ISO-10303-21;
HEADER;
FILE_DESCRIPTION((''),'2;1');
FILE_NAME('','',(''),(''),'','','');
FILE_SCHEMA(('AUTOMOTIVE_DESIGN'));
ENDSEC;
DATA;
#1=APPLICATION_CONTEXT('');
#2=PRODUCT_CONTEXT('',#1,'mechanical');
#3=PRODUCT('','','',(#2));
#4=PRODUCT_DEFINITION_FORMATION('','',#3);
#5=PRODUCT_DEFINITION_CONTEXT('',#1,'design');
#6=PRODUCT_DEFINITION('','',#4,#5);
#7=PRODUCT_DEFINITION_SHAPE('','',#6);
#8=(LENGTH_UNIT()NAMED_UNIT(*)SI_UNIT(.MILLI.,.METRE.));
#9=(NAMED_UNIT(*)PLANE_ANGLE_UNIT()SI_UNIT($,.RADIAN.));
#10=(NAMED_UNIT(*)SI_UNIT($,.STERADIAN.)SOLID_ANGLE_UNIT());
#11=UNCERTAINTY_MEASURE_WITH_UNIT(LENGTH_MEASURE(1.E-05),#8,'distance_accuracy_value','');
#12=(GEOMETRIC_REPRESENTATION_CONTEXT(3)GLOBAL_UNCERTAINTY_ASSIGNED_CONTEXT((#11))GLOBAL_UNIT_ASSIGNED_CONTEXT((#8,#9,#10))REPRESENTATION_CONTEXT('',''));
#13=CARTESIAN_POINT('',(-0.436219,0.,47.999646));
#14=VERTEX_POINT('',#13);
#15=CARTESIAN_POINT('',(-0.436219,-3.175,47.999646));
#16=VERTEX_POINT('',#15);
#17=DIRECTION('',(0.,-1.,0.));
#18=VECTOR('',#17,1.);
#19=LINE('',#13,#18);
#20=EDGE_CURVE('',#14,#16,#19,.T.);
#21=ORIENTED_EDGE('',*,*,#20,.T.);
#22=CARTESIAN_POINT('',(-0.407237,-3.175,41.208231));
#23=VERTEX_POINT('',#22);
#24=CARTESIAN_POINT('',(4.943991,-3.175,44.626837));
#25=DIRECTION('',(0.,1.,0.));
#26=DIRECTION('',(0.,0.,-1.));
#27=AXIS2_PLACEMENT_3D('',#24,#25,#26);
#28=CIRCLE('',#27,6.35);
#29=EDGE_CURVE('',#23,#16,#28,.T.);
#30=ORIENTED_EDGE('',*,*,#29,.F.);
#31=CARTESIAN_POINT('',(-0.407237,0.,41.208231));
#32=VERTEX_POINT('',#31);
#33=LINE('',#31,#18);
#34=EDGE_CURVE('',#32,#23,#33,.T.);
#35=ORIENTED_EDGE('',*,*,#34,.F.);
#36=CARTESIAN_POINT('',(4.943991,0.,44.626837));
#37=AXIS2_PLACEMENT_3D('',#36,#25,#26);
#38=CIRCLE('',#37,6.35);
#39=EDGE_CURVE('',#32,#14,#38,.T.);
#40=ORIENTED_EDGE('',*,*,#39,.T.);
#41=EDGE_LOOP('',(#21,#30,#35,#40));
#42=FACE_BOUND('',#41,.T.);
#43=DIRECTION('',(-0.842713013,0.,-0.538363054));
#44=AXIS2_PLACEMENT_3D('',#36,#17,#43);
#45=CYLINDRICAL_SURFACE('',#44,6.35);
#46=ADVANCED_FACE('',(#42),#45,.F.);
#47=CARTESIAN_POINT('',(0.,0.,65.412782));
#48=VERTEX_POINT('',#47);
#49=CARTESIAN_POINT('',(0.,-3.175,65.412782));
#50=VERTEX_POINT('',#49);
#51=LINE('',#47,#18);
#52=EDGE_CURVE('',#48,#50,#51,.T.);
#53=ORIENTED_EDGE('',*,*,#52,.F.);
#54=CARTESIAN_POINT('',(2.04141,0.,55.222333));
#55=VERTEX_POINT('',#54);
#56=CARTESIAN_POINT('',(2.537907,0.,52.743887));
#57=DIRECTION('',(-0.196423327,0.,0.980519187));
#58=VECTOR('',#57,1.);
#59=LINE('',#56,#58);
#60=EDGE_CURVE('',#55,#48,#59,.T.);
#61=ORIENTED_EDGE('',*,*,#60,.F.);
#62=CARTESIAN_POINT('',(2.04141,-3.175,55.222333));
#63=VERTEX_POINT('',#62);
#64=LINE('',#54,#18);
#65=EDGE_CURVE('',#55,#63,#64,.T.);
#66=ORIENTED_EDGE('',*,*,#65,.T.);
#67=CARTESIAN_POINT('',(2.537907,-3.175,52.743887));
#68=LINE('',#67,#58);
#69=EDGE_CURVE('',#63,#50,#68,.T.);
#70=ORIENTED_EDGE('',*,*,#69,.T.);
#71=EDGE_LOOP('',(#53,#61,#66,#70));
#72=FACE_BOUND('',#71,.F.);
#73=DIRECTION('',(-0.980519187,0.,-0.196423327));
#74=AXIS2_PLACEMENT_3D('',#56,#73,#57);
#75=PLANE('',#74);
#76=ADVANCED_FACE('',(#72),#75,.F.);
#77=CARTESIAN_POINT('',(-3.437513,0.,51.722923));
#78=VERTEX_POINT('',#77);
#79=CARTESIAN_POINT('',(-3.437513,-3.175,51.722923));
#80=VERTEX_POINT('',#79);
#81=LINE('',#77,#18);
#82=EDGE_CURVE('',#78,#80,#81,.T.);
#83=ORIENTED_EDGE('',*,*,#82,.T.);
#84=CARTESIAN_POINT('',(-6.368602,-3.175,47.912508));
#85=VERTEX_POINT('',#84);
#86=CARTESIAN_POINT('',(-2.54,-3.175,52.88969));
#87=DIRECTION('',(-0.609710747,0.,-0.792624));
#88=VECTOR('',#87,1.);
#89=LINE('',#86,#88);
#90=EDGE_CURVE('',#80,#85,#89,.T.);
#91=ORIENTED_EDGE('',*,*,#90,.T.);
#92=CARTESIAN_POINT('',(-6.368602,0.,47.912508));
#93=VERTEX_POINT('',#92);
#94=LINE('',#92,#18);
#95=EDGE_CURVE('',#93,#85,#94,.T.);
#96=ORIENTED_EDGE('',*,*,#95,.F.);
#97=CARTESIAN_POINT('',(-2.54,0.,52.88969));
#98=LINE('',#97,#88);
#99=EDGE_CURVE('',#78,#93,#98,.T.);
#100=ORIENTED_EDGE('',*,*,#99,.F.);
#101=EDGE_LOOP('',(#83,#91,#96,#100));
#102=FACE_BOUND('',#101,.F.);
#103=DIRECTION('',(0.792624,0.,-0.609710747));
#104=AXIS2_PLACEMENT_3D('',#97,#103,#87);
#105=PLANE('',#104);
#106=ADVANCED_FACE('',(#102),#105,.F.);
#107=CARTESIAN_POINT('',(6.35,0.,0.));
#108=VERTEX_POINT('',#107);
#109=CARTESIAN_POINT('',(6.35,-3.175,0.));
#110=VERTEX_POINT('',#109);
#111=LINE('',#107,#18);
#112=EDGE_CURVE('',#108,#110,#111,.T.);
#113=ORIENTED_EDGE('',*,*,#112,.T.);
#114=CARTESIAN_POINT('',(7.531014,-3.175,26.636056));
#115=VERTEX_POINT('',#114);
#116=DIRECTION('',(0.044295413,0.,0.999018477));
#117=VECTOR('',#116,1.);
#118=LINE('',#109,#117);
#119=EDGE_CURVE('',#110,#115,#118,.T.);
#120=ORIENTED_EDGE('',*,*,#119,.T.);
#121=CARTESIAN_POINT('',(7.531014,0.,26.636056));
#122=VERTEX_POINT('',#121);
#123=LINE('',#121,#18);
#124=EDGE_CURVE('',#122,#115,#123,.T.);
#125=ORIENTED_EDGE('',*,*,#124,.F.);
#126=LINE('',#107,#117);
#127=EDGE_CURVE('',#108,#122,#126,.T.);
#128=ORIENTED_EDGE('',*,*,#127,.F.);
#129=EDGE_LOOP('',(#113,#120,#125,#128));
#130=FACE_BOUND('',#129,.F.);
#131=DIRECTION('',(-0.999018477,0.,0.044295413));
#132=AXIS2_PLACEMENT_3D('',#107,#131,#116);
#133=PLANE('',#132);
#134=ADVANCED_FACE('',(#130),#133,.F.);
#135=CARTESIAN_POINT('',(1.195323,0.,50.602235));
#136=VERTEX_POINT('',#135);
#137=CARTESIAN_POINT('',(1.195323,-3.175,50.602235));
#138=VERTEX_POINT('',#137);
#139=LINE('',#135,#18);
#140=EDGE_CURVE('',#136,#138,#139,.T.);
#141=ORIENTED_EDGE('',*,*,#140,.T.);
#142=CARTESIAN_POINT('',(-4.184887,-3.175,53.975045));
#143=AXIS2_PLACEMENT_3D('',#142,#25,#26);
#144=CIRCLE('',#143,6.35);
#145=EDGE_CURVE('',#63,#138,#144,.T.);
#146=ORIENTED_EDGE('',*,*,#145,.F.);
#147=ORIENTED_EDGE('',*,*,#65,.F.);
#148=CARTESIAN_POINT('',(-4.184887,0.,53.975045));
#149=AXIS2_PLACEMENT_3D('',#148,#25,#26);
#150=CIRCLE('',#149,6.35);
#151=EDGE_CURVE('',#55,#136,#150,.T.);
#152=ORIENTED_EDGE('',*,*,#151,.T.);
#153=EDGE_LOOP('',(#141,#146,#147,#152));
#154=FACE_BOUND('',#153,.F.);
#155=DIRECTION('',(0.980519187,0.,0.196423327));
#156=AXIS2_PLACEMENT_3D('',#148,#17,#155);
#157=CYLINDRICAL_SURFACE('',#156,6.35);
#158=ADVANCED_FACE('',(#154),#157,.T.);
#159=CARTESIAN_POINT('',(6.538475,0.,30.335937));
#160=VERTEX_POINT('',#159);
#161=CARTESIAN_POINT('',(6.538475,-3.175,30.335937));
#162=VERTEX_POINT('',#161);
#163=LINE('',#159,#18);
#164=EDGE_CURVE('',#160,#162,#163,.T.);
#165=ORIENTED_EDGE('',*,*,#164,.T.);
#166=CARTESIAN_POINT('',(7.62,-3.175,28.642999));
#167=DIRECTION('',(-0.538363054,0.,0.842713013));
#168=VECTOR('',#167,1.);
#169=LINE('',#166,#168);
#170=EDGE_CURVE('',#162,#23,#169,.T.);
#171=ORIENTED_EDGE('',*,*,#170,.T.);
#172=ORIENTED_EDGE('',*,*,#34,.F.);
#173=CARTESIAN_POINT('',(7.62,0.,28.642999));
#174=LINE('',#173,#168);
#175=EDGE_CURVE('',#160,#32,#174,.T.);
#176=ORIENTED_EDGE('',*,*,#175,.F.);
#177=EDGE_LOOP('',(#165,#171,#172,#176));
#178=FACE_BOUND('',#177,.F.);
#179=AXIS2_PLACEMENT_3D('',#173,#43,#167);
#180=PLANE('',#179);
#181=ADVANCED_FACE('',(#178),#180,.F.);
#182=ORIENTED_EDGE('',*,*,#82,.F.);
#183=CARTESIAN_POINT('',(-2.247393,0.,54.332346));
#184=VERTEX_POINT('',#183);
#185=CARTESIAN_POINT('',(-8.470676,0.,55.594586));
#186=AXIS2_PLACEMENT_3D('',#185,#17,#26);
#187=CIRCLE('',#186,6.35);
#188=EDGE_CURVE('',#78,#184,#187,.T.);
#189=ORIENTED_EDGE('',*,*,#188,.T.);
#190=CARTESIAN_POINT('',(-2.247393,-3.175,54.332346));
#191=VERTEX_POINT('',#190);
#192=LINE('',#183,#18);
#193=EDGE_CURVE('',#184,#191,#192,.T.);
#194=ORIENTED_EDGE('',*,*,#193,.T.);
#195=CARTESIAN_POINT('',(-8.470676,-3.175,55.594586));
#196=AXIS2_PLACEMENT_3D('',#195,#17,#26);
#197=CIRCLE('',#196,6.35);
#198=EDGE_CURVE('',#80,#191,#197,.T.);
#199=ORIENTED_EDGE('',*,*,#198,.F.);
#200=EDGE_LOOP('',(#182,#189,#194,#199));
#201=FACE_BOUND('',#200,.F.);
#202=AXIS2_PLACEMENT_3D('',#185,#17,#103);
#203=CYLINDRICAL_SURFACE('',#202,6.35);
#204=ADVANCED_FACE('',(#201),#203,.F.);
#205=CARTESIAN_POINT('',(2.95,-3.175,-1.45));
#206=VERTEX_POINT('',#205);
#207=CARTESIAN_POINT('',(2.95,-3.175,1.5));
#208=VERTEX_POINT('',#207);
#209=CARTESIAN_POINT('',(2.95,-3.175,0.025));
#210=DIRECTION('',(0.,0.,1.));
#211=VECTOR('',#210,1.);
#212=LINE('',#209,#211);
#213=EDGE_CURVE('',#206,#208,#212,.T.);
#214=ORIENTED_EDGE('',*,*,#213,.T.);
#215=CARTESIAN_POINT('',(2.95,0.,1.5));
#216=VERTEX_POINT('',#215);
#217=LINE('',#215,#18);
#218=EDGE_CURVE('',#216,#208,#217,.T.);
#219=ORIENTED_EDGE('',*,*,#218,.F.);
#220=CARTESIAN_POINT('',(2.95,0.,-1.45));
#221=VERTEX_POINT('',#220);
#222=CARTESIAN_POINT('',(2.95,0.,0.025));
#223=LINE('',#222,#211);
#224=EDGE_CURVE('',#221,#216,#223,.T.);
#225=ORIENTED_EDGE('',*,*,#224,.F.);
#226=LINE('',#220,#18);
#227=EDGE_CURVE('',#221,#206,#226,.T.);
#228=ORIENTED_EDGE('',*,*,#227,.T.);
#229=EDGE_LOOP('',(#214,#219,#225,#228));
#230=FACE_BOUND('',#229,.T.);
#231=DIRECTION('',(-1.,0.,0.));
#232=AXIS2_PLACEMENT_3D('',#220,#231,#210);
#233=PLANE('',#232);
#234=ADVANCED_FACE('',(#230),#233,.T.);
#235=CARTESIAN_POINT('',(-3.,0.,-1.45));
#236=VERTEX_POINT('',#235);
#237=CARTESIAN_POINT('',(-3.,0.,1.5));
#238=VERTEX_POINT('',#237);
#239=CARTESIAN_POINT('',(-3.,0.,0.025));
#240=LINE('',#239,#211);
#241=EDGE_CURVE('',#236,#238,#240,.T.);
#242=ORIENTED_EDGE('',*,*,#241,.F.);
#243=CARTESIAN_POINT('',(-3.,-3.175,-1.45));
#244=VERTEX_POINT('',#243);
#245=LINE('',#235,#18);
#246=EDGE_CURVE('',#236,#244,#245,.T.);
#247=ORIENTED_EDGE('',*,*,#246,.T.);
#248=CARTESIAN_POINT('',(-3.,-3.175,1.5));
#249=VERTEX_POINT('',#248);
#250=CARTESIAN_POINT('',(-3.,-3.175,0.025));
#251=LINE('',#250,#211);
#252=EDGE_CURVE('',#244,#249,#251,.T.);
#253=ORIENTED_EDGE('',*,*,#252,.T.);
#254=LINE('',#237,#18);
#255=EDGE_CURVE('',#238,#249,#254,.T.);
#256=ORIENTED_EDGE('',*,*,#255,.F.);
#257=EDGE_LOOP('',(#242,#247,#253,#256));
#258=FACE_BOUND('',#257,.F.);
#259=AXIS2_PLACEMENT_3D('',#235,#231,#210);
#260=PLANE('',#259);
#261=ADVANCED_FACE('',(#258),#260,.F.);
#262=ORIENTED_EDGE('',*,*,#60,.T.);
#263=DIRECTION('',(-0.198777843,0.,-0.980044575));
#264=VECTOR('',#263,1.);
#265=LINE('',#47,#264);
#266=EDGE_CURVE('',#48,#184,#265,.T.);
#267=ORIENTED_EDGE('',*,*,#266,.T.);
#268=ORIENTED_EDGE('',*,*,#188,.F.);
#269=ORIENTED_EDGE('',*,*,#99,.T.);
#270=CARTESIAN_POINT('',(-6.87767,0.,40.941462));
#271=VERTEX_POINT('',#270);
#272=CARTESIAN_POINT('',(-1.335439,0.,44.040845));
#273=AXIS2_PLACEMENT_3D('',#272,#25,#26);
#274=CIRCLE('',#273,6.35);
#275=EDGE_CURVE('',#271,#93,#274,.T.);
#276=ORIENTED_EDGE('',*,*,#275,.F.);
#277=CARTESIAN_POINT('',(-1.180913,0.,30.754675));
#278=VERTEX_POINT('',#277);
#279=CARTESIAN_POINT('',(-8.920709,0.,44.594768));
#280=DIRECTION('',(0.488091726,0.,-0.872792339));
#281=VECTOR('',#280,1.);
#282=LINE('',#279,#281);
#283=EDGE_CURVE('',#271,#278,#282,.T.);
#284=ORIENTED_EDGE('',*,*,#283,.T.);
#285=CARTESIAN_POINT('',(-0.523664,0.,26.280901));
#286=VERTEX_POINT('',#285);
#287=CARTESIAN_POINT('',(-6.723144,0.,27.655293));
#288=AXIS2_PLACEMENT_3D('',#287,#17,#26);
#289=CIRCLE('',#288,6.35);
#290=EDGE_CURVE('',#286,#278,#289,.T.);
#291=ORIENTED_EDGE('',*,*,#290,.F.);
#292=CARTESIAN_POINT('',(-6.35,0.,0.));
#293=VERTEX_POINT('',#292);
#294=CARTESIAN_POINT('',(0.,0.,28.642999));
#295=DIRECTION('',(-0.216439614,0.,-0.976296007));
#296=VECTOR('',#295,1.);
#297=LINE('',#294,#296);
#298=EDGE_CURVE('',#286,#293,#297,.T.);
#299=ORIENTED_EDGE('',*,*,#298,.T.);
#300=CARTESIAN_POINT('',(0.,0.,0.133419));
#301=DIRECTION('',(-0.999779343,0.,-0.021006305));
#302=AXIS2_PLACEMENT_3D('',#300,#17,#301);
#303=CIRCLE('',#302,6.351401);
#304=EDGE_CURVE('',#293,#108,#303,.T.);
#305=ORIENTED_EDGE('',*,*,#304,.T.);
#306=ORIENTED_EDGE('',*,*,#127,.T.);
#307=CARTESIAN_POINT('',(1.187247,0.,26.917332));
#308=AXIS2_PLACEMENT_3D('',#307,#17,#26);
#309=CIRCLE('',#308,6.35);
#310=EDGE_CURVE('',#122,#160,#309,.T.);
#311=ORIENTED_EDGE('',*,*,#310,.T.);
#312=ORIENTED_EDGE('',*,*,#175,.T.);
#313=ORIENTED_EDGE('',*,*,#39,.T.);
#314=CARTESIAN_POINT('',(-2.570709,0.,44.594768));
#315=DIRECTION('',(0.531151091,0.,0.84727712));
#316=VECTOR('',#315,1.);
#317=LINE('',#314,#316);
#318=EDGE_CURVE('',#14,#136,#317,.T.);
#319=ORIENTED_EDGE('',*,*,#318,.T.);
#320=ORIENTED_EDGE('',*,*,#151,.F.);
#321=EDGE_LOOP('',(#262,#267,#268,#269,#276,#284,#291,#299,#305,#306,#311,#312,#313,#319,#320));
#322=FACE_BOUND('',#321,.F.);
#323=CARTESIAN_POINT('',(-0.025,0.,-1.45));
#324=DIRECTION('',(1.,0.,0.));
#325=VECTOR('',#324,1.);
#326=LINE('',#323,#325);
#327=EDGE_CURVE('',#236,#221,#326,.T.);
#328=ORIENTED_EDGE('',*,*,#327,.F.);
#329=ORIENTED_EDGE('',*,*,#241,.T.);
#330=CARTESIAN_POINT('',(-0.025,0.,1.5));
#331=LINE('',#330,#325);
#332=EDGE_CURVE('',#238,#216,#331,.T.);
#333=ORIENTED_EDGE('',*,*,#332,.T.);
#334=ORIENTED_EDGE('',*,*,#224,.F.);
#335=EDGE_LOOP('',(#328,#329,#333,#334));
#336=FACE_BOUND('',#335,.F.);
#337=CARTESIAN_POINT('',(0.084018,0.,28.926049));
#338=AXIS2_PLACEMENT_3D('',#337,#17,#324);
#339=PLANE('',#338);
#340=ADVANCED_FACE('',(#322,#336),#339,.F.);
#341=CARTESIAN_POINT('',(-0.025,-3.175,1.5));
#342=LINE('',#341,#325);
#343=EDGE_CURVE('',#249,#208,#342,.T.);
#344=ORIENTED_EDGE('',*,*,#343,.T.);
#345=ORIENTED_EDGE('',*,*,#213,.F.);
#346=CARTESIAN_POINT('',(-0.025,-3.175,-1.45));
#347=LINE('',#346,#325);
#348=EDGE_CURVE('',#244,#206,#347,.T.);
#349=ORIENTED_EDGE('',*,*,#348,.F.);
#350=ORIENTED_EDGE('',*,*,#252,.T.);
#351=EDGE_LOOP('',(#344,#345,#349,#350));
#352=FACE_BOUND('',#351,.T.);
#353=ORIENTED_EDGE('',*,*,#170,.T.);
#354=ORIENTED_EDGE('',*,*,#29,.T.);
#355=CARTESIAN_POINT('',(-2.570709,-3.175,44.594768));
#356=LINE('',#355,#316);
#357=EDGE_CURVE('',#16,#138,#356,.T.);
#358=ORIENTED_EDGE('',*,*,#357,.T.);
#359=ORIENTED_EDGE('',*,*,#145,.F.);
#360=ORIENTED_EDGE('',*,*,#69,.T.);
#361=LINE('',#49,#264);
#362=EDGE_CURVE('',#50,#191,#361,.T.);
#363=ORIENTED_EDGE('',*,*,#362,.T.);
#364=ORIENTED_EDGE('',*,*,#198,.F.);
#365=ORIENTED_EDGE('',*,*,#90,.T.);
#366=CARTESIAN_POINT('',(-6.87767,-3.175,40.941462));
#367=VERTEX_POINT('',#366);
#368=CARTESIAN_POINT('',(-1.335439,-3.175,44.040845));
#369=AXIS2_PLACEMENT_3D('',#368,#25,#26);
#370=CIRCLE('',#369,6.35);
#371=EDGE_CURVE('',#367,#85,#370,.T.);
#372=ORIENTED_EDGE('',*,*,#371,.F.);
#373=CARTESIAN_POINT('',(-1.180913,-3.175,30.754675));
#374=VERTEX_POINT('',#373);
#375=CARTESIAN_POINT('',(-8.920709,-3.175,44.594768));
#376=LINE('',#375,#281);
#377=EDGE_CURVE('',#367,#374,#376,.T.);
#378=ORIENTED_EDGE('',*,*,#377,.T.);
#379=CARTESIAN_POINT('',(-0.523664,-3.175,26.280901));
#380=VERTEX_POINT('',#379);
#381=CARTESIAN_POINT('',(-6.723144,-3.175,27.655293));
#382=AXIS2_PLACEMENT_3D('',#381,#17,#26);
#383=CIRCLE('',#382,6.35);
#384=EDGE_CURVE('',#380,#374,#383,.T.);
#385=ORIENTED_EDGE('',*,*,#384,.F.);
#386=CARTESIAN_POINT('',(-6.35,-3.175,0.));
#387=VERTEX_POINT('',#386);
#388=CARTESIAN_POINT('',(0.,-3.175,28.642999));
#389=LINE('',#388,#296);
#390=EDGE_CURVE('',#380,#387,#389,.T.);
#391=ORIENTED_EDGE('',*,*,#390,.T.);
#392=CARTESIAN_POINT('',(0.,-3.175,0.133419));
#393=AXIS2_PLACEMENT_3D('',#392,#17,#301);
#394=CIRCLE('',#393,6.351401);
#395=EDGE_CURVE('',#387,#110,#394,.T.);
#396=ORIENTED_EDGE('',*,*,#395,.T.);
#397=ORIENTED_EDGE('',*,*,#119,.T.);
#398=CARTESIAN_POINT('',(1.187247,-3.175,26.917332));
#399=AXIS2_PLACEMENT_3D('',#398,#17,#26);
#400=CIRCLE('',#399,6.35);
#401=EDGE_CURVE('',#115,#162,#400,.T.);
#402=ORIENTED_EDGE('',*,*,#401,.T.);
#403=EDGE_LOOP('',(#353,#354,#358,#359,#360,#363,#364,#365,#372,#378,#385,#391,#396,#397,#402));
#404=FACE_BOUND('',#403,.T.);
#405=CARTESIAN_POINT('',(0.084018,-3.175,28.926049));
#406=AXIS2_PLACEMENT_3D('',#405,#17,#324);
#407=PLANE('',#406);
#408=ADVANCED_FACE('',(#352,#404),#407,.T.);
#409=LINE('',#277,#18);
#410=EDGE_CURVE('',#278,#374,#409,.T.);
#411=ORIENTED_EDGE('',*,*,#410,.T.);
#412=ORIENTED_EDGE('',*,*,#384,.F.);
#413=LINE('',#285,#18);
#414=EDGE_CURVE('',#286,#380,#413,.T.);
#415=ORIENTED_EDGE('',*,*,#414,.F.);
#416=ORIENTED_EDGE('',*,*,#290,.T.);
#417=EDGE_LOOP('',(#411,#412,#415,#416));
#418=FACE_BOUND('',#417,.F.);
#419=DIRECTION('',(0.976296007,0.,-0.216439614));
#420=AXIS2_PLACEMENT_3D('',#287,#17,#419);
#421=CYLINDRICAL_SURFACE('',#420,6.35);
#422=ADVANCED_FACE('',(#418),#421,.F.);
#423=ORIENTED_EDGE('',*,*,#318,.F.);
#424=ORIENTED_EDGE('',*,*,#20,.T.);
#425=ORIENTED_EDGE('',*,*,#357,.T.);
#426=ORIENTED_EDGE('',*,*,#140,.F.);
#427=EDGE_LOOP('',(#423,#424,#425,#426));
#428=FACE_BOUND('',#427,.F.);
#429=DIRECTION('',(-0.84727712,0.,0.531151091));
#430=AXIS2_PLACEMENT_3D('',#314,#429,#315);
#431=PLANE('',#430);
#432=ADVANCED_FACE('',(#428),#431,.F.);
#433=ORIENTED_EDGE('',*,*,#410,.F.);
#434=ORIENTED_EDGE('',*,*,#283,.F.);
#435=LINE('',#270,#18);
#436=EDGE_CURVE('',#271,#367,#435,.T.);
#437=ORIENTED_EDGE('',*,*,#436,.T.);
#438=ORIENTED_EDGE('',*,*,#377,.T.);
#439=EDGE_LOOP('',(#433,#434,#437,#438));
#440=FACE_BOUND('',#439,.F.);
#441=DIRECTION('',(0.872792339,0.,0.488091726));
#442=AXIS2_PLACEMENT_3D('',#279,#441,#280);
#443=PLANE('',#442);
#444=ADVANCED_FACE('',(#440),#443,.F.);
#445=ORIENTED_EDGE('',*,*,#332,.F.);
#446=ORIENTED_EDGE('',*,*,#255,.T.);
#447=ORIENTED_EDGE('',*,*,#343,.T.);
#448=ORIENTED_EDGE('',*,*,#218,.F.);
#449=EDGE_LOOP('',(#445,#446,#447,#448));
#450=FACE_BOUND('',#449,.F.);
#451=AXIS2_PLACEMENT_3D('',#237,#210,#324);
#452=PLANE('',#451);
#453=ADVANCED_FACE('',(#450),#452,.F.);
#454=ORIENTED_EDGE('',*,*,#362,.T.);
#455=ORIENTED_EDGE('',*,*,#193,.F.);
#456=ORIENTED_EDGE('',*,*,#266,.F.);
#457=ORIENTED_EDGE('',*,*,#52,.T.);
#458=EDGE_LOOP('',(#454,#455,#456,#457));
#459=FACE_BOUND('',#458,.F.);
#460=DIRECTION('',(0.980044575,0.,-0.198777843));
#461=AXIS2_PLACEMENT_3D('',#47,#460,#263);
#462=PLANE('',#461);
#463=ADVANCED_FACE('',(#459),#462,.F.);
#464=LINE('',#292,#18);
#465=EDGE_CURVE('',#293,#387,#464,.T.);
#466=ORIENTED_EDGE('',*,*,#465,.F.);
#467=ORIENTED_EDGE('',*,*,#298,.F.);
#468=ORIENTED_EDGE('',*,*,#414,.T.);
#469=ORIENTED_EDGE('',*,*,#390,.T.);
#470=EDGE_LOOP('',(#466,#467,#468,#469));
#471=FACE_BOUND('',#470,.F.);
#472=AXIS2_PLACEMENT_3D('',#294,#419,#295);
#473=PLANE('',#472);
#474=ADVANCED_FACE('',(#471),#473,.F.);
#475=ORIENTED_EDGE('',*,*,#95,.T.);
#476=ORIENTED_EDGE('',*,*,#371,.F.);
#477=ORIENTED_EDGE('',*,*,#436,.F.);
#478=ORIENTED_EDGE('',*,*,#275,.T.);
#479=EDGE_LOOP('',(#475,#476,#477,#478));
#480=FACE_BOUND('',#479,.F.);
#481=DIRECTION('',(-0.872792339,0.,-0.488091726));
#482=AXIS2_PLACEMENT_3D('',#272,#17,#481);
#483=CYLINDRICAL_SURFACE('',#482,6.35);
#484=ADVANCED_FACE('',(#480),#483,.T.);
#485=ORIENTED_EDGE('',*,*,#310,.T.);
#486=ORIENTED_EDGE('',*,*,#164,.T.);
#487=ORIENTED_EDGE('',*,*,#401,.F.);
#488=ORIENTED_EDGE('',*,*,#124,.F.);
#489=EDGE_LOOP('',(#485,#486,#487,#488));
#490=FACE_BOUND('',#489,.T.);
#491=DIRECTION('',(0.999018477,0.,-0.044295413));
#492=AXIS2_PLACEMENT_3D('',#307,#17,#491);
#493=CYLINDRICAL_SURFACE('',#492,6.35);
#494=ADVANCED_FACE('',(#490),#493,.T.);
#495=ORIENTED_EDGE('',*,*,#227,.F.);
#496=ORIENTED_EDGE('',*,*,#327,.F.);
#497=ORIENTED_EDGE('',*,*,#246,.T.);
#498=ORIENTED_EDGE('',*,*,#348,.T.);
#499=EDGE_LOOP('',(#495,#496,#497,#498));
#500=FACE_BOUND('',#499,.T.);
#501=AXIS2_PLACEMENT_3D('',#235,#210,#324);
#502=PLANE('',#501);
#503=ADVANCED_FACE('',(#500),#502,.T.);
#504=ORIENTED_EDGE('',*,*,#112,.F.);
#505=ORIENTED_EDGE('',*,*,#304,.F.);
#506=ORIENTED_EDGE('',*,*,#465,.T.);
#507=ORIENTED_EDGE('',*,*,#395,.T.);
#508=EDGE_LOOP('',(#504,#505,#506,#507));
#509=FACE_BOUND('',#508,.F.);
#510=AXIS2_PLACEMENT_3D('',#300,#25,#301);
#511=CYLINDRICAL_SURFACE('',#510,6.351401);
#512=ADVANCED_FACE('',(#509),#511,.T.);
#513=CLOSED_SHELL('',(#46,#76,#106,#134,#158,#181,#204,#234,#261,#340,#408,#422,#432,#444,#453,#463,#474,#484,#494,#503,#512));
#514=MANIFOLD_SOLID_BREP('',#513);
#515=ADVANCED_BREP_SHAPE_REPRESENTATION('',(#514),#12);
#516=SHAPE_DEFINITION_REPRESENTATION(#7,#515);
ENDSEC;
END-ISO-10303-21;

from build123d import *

# Parameters (mm, degrees)
F0_W     = 5.95
F0_H     = 2.95
F1_DEPTH = 3.175
F2_R     = 6.35


with BuildPart() as f1:
    # F0 (on Front) → F1 (new body)
    with BuildSketch(Plane.XZ):
        with BuildLine():
            Line((0, 28.642999), (-6.35, 0))
            ThreePointArc((-6.35, 0), (0, -6.217982), (6.35, 0))
            Line((6.35, 0), (7.62, 28.642999))
            Line((7.62, 28.642999), (-2.570709, 44.594768))
            Line((-2.570709, 44.594768), (2.537907, 52.743887))
            Line((2.537907, 52.743887), (0, 65.412782))
            Line((0, 65.412782), (-2.54, 52.88969))
            Line((-2.54, 52.88969), (-8.920709, 44.594768))
            Line((-8.920709, 44.594768), (0, 28.642999))
        make_face()
        with Locations((-0.025, 0.025)):
            Rectangle(F0_W, F0_H, mode=Mode.SUBTRACT)
    extrude(amount=F1_DEPTH)

    # F2
    f2_edges = [f1.edges().sort_by_distance(p)[0] for p in [
        (2.537907, -1.5875, 52.743887),
        (-2.570709, -1.5875, 44.594768),
        (7.62, -1.5875, 28.642999),
        (0, -1.5875, 28.642999),
        (-8.920709, -1.5875, 44.594768),
        (-2.54, -1.5875, 52.88969),
    ]]
    fillet(f2_edges, radius=F2_R)


solid = f1.part
